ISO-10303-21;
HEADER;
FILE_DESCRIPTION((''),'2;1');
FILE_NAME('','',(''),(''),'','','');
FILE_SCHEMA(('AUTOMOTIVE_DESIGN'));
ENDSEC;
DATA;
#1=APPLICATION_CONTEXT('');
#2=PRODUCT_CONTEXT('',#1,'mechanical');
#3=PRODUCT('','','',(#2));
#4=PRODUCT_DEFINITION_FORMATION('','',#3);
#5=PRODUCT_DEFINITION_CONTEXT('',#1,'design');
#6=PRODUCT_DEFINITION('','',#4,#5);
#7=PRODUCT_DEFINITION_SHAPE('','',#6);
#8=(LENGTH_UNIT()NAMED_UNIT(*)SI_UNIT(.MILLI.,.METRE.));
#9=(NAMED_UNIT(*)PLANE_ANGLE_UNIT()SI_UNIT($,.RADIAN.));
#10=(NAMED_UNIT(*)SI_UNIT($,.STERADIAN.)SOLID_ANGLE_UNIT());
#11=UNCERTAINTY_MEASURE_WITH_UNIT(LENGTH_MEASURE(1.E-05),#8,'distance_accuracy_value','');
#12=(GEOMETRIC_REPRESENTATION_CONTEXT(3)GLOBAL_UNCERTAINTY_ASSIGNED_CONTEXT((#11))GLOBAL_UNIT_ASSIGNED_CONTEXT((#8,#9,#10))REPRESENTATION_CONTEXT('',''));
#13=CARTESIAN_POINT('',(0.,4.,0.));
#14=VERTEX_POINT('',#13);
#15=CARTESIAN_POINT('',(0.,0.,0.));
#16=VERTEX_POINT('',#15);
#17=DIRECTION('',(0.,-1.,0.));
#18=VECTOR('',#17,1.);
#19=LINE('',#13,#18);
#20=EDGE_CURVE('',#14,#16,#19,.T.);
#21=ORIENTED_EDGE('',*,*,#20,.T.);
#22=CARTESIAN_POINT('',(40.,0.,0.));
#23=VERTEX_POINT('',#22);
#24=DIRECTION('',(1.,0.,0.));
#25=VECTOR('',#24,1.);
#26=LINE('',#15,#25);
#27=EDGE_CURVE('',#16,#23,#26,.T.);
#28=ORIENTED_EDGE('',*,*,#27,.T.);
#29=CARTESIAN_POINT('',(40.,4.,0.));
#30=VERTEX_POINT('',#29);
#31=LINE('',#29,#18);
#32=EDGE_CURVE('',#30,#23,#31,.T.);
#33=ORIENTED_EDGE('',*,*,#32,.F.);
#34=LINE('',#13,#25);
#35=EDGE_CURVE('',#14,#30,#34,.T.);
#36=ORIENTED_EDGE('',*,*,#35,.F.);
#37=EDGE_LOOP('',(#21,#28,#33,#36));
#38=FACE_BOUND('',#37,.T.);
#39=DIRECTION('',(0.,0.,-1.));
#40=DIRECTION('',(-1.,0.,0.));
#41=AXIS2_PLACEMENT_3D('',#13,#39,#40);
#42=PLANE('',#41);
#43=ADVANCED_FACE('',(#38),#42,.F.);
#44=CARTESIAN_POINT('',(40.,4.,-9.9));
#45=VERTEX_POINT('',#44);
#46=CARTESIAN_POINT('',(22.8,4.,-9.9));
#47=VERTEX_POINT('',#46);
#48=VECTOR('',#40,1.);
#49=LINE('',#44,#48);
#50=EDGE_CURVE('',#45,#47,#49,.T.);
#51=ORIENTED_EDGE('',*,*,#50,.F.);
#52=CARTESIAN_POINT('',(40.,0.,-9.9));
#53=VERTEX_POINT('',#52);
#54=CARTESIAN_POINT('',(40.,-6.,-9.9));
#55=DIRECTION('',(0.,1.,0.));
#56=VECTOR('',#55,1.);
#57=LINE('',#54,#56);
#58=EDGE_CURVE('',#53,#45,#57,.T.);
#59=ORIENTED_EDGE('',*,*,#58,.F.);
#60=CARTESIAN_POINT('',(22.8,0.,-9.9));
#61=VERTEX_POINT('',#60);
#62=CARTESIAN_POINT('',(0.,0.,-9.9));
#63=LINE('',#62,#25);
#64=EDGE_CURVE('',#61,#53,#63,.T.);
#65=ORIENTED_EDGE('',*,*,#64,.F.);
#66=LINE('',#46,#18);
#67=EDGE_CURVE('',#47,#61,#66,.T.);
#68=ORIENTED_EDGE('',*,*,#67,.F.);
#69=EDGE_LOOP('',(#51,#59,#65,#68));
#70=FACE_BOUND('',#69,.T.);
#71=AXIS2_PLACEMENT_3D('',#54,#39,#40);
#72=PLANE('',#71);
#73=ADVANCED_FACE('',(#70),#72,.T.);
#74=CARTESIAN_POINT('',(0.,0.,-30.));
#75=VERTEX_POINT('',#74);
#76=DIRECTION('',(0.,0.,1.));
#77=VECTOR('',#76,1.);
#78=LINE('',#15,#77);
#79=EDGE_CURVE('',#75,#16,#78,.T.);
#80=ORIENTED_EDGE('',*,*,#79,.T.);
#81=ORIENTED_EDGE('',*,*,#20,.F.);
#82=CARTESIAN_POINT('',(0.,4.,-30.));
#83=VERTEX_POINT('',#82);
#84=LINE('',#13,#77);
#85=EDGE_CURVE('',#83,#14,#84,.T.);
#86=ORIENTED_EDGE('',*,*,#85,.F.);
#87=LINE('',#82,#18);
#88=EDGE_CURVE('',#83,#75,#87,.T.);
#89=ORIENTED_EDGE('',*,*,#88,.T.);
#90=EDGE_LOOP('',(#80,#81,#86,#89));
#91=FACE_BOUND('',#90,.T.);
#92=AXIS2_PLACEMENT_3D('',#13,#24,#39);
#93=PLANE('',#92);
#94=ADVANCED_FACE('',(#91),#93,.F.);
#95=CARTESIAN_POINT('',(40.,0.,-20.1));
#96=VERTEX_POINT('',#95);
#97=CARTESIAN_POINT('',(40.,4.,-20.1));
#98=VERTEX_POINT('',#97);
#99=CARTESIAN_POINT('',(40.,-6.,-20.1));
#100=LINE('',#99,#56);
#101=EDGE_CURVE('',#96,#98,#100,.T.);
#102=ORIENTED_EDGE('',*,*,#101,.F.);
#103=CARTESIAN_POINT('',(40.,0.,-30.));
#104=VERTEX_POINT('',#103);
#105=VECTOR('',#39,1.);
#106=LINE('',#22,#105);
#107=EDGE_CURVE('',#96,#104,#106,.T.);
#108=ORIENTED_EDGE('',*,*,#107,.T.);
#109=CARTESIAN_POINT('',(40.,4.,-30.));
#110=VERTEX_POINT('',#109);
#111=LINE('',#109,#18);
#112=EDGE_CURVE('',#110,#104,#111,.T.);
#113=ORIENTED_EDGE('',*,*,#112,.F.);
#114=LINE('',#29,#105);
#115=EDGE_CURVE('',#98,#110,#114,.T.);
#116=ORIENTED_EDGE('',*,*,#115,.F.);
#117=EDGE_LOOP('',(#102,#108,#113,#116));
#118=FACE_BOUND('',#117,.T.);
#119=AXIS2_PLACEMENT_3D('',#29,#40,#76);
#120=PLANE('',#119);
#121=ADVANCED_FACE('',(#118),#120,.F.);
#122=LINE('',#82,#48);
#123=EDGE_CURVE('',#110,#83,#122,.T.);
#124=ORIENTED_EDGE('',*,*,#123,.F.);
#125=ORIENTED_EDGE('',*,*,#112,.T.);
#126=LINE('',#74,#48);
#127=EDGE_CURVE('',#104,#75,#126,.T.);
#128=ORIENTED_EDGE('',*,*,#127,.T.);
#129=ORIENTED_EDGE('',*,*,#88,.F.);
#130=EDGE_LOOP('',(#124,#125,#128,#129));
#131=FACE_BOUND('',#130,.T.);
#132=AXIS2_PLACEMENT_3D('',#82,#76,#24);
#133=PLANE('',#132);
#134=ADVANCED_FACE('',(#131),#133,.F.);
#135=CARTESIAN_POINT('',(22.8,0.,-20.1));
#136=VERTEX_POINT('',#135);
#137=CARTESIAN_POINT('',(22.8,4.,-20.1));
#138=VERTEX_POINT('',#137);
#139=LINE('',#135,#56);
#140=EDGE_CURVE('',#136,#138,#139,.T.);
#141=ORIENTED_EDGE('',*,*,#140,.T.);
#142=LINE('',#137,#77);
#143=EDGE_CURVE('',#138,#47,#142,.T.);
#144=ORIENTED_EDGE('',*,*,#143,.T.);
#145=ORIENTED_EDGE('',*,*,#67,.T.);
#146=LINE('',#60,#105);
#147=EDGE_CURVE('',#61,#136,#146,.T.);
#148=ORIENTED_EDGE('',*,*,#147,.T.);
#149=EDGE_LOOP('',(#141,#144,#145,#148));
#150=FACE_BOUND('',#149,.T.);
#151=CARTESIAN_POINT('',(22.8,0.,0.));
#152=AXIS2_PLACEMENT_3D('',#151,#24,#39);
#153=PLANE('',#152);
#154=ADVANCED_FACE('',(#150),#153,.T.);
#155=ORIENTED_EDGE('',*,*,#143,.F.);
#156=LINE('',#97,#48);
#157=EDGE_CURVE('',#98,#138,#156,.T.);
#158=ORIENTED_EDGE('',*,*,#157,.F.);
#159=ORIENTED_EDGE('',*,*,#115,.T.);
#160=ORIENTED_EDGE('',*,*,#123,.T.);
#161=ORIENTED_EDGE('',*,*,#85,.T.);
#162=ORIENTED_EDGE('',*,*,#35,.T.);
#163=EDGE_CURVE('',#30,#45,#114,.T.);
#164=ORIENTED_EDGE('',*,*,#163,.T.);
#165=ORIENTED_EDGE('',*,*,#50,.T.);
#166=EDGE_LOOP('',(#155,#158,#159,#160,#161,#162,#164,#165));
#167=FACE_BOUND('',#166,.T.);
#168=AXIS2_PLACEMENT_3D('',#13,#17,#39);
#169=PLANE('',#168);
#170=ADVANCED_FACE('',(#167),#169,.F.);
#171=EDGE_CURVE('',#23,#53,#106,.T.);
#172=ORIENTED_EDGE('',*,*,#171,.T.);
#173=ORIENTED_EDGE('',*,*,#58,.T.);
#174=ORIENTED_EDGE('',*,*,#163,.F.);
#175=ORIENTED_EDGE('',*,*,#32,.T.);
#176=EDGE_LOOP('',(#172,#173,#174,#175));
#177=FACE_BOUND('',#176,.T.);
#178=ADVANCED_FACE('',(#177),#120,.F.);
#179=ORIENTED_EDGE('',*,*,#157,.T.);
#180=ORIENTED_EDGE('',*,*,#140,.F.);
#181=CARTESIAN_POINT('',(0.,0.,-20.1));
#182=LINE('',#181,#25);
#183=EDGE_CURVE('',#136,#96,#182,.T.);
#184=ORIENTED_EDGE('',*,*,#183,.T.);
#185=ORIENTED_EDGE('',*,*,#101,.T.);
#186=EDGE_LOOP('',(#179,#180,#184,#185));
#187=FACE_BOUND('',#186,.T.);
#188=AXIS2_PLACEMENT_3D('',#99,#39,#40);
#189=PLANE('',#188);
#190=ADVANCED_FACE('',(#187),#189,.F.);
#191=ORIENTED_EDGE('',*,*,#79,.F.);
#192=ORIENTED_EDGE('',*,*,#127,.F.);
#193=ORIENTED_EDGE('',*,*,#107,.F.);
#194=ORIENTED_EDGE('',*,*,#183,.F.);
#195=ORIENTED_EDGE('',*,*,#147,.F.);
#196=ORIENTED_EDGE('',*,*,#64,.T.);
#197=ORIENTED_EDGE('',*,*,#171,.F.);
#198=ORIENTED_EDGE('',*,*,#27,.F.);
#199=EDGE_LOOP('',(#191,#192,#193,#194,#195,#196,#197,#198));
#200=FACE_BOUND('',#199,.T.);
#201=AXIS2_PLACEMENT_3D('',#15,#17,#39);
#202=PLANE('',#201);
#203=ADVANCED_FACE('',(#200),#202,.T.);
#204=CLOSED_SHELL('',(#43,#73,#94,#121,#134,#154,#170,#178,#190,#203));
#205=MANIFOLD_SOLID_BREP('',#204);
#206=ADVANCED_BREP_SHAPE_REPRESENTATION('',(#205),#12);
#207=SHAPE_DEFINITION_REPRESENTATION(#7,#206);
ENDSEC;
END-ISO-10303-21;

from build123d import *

# Parameters (mm, degrees)
SKETCH_1_W          = 40
SKETCH_1_H          = 30
EXTRUDE_1_DEPTH     = 4
SKETCH_2_W          = 22.2
SKETCH_2_H          = 10.2
CUT_EXTRUDE_1_DEPTH = 10
SKETCH_3_W          = 10.2
SKETCH_3_H          = 4
EXTRUDE_2_DEPTH     = 5


with BuildPart() as part:
    # 草圖1 → 填料-伸長1 (new body)
    with BuildSketch(Plane(origin=(0, 0, 0), x_dir=(1, 0, 0), z_dir=(0, 1, 0))):
        with Locations((20, 15)):
            Rectangle(SKETCH_1_W, SKETCH_1_H)
    extrude(amount=EXTRUDE_1_DEPTH)

    # 草圖2 → 除料-伸長1 (cut)
    with BuildSketch(Plane(origin=(0, 4, 0), x_dir=(1, 0, 0), z_dir=(0, 1, 0))):
        with Locations((28.9, 15)):
            Rectangle(SKETCH_2_W, SKETCH_2_H)
    extrude(amount=-CUT_EXTRUDE_1_DEPTH, mode=Mode.SUBTRACT)

    # 草圖3 → 填料-伸長2 (add)
    with BuildSketch(Plane(origin=(17.8, 0, 0), x_dir=(0, 0, -1), z_dir=(1, 0, 0))):
        with Locations((15, 2)):
            Rectangle(SKETCH_3_W, SKETCH_3_H)
    extrude(amount=EXTRUDE_2_DEPTH)


solid = part.part
